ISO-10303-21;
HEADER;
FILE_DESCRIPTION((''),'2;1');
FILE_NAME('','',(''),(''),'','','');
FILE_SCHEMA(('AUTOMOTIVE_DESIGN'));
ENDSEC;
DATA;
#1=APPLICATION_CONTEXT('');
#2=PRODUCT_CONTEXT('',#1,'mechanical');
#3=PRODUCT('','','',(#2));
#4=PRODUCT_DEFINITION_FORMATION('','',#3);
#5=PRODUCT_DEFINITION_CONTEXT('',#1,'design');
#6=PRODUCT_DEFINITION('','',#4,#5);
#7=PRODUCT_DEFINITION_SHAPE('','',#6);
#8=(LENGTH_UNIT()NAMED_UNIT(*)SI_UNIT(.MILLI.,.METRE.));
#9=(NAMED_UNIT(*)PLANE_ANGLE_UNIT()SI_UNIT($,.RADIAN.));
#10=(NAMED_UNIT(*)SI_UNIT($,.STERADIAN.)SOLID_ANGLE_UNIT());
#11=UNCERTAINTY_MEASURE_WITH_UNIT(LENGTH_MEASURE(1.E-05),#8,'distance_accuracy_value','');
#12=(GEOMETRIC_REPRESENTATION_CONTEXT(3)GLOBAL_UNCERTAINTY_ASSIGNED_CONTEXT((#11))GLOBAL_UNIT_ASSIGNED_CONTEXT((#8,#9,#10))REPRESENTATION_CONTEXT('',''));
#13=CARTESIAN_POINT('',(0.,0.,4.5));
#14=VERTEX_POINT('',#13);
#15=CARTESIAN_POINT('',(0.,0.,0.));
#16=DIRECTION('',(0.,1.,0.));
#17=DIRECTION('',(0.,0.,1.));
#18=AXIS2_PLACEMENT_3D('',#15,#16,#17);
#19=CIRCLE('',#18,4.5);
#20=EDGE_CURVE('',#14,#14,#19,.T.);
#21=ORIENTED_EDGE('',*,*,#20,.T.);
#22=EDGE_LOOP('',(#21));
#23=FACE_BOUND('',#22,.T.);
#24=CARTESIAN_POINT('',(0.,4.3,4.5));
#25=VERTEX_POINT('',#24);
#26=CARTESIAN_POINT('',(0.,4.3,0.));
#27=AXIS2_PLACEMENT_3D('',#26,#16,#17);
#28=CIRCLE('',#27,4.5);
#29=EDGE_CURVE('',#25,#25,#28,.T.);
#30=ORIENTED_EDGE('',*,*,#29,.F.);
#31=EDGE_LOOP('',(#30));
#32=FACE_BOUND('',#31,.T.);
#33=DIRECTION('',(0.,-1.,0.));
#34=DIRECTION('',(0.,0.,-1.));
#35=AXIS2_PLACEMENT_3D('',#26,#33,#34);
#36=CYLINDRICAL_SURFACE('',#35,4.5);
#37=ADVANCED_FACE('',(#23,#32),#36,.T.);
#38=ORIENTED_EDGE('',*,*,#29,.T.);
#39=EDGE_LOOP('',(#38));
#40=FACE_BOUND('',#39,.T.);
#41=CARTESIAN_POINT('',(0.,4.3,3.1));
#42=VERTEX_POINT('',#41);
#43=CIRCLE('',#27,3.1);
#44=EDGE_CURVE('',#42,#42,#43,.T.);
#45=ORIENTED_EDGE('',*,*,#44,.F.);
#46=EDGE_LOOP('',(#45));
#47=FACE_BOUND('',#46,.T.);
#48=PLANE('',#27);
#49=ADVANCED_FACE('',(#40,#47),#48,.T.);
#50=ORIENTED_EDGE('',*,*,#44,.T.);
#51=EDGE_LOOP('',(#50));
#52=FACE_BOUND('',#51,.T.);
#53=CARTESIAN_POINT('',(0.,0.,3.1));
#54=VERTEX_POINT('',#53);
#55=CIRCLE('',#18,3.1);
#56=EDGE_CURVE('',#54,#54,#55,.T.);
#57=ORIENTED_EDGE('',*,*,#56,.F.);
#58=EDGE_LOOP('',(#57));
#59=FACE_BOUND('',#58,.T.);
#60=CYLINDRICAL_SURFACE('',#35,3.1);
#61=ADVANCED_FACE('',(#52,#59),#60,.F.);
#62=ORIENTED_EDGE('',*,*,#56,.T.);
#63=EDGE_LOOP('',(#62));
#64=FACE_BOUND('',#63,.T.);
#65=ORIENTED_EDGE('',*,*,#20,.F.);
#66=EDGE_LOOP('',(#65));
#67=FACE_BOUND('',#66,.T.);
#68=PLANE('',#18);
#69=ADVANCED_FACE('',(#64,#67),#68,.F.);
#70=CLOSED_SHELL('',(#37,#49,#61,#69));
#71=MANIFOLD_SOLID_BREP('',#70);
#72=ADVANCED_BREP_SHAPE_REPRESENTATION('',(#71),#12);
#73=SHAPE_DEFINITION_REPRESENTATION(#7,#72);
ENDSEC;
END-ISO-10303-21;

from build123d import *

# Parameters (mm, degrees)
SKETCH_1_R      = 4.5
SKETCH_1_R_2    = 3.1
EXTRUDE_1_DEPTH = 4.3


with BuildPart() as part:
    # 草图1 → 凸台-拉伸1 (new body)
    with BuildSketch(Plane(origin=(0, 0, 0), x_dir=(1, 0, 0), z_dir=(0, 1, 0))):
        Circle(SKETCH_1_R)
        Circle(SKETCH_1_R_2, mode=Mode.SUBTRACT)
    extrude(amount=EXTRUDE_1_DEPTH)


solid = part.part
